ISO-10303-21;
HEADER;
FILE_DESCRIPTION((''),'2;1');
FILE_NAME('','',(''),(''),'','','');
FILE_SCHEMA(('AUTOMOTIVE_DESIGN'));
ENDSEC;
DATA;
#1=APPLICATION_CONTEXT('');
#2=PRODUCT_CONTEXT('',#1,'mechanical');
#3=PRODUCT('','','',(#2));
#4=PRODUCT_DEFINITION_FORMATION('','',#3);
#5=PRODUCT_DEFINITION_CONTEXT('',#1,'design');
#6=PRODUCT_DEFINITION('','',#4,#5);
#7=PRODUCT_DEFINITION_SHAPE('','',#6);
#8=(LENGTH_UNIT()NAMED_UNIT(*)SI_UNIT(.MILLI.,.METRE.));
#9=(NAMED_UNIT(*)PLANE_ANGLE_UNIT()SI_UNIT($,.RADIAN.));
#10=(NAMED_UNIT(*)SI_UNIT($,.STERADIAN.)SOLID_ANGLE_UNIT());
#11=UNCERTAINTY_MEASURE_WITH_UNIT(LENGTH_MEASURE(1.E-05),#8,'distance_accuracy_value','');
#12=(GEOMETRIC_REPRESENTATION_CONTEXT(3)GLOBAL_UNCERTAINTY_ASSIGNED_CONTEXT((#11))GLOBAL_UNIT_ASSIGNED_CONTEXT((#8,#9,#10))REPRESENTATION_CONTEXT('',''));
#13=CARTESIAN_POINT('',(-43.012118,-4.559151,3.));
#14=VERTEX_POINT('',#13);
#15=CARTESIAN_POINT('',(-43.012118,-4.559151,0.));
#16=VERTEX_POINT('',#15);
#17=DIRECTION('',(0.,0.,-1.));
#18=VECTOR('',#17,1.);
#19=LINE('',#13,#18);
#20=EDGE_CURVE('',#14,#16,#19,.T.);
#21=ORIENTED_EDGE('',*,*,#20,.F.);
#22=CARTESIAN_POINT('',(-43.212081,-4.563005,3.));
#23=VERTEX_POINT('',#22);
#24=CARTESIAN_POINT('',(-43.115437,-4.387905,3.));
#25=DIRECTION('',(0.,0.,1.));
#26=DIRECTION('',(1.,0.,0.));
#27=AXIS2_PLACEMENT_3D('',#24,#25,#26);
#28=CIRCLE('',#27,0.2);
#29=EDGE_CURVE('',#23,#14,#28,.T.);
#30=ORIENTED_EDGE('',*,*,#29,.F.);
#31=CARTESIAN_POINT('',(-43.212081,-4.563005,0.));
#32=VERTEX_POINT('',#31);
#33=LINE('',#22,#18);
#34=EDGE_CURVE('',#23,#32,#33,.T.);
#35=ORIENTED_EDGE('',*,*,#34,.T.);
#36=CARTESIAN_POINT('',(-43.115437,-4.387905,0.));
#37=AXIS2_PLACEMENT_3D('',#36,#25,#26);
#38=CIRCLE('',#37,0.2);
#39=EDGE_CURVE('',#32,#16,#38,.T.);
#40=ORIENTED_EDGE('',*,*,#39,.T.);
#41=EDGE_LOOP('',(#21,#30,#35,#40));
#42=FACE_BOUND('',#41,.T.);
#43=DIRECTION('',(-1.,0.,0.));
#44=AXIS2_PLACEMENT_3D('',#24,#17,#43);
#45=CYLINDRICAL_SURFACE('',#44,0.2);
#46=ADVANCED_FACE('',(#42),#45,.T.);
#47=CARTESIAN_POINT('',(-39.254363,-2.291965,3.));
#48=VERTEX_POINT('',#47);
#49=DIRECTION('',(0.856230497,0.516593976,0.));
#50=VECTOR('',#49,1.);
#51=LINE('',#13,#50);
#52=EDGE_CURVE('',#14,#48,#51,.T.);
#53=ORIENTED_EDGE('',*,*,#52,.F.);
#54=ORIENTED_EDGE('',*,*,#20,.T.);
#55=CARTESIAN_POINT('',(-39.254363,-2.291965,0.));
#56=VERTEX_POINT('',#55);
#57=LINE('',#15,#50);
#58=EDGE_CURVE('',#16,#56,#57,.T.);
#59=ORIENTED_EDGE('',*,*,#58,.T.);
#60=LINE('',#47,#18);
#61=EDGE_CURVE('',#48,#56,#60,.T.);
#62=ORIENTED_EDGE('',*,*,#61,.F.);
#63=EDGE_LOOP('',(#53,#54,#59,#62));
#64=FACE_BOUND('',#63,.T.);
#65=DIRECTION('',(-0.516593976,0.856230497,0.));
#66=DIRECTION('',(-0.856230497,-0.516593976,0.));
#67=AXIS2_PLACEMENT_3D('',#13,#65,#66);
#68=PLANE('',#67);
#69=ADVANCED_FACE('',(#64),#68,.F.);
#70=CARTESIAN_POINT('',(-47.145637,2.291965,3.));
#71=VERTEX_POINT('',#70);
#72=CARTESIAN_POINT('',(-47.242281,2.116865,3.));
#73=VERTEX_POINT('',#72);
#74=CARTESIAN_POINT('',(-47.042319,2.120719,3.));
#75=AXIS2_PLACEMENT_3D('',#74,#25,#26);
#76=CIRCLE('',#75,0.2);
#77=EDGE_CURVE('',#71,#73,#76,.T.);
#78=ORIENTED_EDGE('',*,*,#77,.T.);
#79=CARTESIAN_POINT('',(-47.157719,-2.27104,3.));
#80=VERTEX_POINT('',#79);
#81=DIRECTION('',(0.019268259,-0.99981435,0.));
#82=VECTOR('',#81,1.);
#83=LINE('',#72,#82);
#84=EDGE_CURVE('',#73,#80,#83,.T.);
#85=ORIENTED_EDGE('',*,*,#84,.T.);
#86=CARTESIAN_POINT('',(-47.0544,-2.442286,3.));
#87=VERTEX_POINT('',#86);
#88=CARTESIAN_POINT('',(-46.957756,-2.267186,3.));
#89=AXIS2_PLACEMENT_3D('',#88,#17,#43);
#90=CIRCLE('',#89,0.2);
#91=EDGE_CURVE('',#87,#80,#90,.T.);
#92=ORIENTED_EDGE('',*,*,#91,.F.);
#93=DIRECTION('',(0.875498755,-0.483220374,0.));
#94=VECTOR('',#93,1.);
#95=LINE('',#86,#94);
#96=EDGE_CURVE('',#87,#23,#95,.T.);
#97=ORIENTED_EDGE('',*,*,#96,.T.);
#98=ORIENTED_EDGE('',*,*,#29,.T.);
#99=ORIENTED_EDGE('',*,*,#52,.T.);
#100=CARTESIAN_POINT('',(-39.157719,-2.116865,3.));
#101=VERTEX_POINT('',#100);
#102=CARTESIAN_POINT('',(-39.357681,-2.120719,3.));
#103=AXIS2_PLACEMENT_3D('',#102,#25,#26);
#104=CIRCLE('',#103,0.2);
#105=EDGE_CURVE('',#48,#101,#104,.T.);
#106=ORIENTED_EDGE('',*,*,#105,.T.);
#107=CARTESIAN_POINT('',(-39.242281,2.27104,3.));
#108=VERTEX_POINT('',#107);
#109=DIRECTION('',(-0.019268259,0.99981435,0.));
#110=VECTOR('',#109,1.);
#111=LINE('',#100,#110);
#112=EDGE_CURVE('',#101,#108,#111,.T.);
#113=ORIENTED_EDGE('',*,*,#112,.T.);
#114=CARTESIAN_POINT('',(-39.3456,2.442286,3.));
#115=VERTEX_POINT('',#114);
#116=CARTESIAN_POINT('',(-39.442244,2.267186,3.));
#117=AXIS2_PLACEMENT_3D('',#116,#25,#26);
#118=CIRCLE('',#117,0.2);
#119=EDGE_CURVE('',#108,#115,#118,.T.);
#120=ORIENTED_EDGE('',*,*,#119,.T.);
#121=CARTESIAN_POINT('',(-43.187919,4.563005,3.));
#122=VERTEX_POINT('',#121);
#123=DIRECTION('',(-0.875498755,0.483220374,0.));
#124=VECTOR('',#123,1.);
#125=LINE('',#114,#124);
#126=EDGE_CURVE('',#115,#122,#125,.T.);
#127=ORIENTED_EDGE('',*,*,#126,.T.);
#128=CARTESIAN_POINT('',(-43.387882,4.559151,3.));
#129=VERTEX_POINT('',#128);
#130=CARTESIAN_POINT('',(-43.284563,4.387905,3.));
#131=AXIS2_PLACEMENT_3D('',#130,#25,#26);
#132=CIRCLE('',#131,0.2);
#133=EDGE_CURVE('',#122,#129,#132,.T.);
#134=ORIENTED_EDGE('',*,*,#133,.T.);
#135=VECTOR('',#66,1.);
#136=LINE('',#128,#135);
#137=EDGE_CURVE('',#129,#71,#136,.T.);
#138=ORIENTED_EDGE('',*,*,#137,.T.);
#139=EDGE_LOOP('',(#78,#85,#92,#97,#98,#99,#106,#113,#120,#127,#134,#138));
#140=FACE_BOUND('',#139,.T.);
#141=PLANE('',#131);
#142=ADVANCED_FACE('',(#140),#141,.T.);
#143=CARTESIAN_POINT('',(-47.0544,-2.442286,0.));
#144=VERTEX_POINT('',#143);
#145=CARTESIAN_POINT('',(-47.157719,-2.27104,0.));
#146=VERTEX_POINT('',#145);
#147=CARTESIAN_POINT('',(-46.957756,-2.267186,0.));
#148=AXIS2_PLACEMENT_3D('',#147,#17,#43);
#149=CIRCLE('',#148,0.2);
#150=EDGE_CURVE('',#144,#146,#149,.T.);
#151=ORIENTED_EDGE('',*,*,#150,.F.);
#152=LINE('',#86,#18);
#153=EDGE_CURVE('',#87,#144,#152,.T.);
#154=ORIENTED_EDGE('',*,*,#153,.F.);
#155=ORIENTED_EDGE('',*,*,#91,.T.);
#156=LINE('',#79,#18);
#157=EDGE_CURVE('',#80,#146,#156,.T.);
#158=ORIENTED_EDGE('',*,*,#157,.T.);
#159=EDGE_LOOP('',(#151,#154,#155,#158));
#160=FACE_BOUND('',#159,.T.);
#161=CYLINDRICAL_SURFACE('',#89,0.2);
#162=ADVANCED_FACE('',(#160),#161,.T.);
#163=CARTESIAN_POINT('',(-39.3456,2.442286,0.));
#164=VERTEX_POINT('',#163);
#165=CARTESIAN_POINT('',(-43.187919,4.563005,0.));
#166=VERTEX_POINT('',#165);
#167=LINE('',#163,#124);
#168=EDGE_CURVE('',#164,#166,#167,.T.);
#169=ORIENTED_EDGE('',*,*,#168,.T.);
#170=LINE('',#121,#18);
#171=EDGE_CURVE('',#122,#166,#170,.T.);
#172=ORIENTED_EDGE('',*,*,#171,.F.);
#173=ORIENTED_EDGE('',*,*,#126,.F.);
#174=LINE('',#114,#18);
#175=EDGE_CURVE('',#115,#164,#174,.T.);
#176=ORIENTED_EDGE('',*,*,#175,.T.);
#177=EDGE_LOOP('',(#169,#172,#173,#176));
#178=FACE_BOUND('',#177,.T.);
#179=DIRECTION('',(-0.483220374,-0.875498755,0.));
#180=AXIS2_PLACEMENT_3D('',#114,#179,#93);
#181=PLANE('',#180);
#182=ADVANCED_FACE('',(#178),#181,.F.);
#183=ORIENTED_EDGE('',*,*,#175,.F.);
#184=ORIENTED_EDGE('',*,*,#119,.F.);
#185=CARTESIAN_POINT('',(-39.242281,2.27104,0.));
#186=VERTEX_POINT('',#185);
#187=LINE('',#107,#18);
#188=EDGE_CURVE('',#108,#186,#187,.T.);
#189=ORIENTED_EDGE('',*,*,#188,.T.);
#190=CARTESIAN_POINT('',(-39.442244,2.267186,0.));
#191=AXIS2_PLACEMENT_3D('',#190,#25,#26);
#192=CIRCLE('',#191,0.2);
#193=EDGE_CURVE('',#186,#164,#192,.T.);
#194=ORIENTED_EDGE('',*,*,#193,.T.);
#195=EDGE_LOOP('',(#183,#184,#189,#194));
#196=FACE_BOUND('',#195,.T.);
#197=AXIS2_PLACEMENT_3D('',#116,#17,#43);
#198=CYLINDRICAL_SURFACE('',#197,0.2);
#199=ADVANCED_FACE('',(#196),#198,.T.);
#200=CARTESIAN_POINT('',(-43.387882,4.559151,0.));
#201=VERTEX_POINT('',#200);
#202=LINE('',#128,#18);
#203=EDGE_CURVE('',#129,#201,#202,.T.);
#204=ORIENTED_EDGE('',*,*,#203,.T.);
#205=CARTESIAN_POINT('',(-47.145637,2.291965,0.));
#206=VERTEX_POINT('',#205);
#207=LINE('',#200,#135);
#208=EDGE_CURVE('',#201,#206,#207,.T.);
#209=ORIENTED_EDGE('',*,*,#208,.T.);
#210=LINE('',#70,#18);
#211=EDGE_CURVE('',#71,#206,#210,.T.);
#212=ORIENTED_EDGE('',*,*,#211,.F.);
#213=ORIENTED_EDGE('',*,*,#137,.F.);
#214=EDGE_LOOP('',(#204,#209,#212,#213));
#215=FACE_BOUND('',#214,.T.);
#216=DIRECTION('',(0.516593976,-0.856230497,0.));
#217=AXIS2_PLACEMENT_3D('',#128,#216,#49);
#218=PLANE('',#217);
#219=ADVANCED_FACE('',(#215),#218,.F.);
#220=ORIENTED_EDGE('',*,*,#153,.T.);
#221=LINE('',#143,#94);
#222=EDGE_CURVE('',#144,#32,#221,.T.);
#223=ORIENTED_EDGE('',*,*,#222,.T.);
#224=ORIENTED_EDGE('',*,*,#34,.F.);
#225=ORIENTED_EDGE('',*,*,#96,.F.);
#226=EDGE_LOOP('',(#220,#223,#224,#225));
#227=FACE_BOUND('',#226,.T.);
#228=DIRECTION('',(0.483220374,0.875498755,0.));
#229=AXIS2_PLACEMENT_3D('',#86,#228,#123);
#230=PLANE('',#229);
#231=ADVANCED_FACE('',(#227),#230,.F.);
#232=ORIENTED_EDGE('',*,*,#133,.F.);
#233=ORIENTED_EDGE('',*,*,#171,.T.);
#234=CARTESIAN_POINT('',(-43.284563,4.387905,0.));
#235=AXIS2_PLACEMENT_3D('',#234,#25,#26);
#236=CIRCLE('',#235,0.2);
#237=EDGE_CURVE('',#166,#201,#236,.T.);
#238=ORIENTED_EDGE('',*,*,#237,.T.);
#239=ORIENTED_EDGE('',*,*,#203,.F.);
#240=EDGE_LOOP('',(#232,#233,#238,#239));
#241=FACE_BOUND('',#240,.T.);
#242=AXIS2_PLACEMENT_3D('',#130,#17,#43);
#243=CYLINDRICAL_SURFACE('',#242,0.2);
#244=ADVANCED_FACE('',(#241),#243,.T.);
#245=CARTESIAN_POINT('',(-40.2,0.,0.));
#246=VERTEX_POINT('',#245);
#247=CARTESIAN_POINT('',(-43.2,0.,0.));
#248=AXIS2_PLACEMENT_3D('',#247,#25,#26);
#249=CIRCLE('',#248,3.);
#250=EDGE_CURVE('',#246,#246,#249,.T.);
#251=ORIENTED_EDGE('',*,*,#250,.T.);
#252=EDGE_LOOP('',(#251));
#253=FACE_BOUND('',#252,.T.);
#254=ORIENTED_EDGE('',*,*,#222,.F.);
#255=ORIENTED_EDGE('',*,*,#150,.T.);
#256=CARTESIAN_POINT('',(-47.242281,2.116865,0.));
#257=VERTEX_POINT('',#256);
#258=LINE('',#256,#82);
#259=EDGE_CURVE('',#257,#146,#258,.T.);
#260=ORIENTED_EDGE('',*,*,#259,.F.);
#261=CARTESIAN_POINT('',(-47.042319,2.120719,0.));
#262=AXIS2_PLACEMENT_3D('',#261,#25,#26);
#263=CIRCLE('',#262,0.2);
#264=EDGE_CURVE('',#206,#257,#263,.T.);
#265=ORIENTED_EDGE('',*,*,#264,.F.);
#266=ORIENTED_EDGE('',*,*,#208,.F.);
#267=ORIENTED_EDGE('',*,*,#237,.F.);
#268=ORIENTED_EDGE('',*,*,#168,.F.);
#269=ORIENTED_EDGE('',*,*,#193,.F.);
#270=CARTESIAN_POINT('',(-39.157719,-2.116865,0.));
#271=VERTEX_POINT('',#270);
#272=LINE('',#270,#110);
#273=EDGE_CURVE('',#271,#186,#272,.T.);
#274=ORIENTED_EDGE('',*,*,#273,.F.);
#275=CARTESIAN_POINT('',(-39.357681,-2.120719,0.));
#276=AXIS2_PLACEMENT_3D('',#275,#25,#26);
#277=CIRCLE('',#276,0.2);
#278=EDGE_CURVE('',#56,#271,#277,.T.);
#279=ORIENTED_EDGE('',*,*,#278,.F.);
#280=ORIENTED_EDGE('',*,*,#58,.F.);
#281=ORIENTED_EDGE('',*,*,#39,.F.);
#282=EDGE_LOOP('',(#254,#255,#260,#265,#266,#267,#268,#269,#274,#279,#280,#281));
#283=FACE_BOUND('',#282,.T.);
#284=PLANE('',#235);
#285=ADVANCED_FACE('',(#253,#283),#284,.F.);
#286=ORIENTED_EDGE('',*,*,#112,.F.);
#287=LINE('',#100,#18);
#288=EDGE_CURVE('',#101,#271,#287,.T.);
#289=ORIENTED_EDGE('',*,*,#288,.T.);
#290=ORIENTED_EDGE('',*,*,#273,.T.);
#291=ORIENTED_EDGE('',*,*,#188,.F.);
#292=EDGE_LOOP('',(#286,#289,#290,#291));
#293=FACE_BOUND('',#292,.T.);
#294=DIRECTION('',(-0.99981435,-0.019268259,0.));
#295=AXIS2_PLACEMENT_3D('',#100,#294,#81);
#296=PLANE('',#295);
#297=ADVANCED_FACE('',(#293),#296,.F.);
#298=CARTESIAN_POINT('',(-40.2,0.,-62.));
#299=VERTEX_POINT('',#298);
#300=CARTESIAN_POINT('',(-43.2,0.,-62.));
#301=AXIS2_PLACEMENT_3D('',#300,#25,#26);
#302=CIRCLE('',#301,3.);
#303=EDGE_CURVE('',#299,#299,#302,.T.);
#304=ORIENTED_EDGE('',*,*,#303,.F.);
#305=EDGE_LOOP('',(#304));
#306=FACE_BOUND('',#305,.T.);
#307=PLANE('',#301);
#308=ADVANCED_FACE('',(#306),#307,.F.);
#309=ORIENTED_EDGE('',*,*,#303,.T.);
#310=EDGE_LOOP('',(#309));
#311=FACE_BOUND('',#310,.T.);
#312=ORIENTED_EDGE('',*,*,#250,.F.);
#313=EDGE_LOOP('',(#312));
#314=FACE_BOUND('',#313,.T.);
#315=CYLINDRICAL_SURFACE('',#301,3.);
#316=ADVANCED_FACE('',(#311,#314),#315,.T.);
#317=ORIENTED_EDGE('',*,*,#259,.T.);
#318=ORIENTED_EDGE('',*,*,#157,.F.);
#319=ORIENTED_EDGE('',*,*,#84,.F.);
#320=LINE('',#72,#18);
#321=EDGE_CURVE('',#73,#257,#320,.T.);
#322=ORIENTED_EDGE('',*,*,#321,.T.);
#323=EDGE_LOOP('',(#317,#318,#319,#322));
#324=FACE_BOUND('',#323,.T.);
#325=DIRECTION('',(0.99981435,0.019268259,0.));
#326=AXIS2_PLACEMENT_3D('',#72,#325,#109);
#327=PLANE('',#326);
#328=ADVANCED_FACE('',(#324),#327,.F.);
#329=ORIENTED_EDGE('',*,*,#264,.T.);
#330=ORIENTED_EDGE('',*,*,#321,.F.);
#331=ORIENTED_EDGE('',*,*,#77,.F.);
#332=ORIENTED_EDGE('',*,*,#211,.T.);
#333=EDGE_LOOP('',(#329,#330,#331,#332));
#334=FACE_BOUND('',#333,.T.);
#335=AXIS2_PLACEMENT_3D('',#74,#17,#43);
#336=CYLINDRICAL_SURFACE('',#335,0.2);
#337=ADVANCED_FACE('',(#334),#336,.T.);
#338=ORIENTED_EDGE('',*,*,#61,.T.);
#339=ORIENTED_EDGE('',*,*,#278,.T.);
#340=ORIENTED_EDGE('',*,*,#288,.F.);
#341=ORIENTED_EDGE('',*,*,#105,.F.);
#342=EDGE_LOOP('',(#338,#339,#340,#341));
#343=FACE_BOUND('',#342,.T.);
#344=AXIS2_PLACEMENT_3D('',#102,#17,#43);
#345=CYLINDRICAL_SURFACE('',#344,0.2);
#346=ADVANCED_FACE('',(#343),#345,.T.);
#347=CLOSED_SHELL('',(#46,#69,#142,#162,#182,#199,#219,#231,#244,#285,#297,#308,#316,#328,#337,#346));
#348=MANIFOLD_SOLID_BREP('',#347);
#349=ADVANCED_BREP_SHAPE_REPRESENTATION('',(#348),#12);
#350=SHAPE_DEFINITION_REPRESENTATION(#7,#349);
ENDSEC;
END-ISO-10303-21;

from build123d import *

# Parameters (mm, degrees)
SKETCH1_R           = 3
BOSS_EXTRUDE1_DEPTH = 62
BOSS_EXTRUDE2_DEPTH = 3


with BuildPart() as part:
    # Sketch1 → Boss-Extrude1 (new body)
    with BuildSketch(Plane.XY):
        with Locations((-43.2, 0)):
            Circle(SKETCH1_R)
    extrude(amount=-BOSS_EXTRUDE1_DEPTH)

    # Sketch2 → Boss-Extrude2 (add)
    with BuildSketch(Plane.XY):
        with BuildLine():
            Line((-47.054399712, -2.442285905), (-43.212081089, -4.563004671))
            ThreePointArc((-43.212081089, -4.563004671), (-43.111583363, -4.58786779), (-43.012118219, -4.559151019))
            Line((-43.012118219, -4.559151019), (-39.254362582, -2.291964865))
            ThreePointArc((-39.254362582, -2.291964865), (-39.182581626, -2.217362841), (-39.157718507, -2.116865114))
            Line((-39.157718507, -2.116865114), (-39.242281493, 2.271039806))
            ThreePointArc((-39.242281493, 2.271039806), (-39.270998264, 2.370504949), (-39.345600288, 2.442285905))
            Line((-39.345600288, 2.442285905), (-43.187918911, 4.563004671))
            ThreePointArc((-43.187918911, 4.563004671), (-43.288416637, 4.58786779), (-43.387881781, 4.559151019))
            Line((-43.387881781, 4.559151019), (-47.145637418, 2.291964865))
            ThreePointArc((-47.145637418, 2.291964865), (-47.217418374, 2.217362841), (-47.242281493, 2.116865114))
            Line((-47.242281493, 2.116865114), (-47.157718507, -2.271039806))
            ThreePointArc((-47.157718507, -2.271039806), (-47.129001736, -2.370504949), (-47.054399712, -2.442285905))
        make_face()
    extrude(amount=BOSS_EXTRUDE2_DEPTH)


solid = part.part
